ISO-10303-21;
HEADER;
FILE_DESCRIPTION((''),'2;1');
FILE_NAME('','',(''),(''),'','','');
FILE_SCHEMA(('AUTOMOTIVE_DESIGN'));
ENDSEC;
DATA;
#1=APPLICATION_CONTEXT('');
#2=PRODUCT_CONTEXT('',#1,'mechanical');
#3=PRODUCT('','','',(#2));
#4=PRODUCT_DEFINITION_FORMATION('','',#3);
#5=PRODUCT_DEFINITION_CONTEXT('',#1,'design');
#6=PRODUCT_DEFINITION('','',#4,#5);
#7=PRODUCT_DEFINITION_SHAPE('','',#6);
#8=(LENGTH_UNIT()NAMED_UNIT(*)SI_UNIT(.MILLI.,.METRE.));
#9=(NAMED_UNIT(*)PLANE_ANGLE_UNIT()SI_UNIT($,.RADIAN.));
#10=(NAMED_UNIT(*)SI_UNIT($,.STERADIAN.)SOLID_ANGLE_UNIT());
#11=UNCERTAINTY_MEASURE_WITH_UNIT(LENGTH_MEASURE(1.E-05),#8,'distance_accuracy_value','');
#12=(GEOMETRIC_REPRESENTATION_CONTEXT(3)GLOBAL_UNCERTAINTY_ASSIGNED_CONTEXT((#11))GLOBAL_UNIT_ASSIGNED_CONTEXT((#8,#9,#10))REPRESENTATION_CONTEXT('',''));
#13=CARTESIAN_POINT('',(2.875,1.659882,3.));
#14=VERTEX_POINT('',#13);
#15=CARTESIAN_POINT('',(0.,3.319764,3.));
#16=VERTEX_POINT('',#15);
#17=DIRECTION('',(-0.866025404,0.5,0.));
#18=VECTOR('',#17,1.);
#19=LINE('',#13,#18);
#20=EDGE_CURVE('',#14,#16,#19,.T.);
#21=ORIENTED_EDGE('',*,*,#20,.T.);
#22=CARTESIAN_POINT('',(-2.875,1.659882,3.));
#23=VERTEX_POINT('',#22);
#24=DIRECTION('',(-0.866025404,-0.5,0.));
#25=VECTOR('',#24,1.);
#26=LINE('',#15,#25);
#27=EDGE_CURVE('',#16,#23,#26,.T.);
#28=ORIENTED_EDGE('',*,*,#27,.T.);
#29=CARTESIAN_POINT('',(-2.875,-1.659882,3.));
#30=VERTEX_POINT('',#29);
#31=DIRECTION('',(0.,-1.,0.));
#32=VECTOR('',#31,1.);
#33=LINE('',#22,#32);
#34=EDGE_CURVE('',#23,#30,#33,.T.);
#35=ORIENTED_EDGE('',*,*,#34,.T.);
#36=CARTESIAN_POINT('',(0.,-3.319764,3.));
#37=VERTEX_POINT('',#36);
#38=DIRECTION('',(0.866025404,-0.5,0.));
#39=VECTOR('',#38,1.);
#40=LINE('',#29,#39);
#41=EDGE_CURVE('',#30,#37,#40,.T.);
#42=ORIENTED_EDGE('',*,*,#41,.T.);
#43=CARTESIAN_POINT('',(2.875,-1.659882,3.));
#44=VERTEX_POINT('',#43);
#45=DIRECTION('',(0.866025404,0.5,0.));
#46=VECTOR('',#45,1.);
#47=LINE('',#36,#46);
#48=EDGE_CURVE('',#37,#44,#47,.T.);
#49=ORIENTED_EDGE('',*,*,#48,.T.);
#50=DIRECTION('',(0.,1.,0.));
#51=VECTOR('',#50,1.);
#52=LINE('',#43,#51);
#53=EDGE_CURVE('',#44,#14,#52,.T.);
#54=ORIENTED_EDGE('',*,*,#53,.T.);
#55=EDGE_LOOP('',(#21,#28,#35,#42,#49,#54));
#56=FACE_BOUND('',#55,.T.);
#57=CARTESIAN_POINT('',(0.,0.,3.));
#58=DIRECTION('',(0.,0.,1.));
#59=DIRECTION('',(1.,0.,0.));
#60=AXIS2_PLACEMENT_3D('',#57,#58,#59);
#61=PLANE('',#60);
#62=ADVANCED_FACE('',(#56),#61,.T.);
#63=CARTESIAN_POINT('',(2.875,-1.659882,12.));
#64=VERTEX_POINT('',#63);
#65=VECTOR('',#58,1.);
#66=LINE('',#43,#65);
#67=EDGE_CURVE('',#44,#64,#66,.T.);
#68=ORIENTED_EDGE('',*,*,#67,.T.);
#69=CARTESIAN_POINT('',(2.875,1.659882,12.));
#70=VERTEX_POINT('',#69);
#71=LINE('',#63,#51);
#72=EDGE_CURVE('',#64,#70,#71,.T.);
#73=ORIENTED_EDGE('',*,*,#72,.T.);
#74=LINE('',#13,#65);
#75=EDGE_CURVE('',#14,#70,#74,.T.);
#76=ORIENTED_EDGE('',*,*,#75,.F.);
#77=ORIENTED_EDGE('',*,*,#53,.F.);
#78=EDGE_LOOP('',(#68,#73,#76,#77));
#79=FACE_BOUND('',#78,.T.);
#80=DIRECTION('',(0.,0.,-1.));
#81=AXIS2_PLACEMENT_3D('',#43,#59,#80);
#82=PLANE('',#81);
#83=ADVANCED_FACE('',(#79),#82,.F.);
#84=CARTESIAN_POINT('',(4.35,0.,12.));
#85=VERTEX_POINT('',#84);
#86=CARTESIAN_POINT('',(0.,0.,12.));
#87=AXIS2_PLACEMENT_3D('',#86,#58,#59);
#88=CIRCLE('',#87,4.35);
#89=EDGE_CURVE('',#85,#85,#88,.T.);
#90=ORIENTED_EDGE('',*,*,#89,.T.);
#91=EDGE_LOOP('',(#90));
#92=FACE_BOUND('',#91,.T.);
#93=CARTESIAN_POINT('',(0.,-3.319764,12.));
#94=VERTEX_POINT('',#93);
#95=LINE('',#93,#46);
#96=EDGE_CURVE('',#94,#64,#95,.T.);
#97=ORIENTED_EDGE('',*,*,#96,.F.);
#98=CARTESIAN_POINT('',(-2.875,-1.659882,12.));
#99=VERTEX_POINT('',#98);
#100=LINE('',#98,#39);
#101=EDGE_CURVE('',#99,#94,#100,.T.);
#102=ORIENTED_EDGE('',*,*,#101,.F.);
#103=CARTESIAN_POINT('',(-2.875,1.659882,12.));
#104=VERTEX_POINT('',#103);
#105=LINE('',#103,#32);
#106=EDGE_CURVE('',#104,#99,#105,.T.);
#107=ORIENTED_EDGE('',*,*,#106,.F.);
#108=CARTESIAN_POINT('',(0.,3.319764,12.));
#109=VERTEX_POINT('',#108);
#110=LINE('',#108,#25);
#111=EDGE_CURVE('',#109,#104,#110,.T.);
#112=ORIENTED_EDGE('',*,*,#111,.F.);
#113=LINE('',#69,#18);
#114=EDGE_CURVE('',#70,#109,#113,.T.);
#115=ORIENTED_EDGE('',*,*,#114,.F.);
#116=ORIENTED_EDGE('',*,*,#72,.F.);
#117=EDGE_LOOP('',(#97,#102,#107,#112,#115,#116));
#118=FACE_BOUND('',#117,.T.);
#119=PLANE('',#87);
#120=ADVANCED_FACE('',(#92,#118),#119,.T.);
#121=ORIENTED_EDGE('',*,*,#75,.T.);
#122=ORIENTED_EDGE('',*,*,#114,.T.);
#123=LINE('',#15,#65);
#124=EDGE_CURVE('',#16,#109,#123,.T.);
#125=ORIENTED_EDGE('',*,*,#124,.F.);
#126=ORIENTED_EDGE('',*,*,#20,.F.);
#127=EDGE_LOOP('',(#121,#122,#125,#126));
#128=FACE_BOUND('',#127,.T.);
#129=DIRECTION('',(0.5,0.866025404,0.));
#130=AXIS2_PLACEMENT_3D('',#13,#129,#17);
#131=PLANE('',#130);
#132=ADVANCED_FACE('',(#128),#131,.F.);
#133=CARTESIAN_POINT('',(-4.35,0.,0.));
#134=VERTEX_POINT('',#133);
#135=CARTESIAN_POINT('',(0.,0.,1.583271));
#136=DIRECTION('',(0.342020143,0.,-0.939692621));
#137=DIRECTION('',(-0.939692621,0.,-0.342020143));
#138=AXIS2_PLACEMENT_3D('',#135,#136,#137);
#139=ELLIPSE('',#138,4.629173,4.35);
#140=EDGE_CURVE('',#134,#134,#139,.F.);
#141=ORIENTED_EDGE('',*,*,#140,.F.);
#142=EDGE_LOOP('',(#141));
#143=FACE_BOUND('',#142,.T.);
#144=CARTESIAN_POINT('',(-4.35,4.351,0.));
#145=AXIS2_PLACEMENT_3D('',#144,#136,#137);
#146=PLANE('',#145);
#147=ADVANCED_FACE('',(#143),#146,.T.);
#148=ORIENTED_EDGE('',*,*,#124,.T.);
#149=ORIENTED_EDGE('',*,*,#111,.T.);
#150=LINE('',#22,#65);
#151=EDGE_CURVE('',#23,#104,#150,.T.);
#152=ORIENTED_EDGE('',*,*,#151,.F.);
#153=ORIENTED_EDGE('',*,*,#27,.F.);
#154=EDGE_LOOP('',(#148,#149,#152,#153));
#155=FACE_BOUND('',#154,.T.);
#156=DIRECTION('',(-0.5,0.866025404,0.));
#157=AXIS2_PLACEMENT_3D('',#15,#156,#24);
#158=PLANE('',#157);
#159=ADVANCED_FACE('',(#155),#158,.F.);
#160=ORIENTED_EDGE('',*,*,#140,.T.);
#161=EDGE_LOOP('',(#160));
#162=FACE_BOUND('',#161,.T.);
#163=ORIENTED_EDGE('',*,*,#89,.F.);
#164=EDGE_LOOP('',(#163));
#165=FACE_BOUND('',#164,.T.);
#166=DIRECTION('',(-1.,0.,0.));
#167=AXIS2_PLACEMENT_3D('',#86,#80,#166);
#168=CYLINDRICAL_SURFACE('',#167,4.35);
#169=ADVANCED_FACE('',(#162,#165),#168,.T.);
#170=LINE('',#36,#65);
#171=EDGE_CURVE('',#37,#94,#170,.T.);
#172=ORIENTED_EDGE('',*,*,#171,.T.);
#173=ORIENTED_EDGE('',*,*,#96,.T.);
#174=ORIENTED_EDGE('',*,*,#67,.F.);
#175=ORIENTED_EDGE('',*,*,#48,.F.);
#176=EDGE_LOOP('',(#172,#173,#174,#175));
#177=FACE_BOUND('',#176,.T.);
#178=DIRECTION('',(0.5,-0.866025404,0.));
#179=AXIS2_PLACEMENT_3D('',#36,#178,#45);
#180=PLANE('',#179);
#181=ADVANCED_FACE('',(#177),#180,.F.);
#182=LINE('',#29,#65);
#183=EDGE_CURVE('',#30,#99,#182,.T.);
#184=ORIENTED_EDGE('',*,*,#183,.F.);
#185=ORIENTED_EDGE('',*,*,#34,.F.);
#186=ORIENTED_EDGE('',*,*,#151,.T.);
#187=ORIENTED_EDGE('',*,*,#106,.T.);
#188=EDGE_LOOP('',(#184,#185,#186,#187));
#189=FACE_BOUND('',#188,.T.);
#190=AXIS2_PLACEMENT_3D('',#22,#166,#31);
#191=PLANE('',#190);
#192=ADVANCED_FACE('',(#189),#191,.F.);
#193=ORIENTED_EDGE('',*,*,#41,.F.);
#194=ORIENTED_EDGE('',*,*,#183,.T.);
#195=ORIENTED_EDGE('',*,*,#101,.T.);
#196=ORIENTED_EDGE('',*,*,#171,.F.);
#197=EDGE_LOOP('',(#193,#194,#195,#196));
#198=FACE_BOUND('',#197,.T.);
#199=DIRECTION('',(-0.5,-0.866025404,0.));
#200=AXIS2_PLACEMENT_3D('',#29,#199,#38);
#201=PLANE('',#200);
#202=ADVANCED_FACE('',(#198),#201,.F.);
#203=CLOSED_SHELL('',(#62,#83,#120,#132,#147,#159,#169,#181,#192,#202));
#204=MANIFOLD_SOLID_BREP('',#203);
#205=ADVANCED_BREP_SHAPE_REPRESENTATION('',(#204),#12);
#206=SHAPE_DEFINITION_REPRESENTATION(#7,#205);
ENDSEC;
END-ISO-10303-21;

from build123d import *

# Parameters (mm, degrees)
SKETCH_1_R                        = 4.35
EXTRUDE_1_DEPTH                   = 12
CUT_EXTRUDE_480_DEPTH             = 9
CUT_EXTRUDE_727_REACH             = 15.485
CUT_EXTRUDE_727_DIRECTION_2_REACH = 15.485


with BuildPart() as part:
    # Эскиз1 → Бобышка-Вытянуть1 (new body)
    with BuildSketch(Plane.XY):
        Circle(SKETCH_1_R)
    extrude(amount=EXTRUDE_1_DEPTH)

    # Эскиз2 → Cut-Extrude 480 (cut)
    with BuildSketch(Plane.XY.offset(12)):
        Polygon((0, 3.319764048), (-2.875, 1.659882024), (-2.875, -1.659882024), (0, -3.319764048), (2.875, -1.659882024), (2.875, 1.659882024), align=None)
    extrude(amount=-CUT_EXTRUDE_480_DEPTH, mode=Mode.SUBTRACT)

    # Эскиз3 → Cut-Extrude 727 (cut, up to next)
    with BuildSketch(Plane(origin=(0, 0, 0), x_dir=(1, 0, 0), z_dir=(0, 1, 0)), mode=Mode.PRIVATE) as cut_extrude_727_sk1:
        Polygon((-4.35, 0), (4.35, -3.166541038), (4.35, 0), align=None)
    cut_extrude_727_tool1 = extrude(cut_extrude_727_sk1.sketch, amount=-CUT_EXTRUDE_727_REACH, mode=Mode.PRIVATE) & part.part
    add(cut_extrude_727_tool1.solids().sort_by_distance((1.45, 0, 1.055514))[0], mode=Mode.SUBTRACT)

    # Эскиз3 → Cut-Extrude 727 direction 2 (cut, up to next)
    with BuildSketch(Plane(origin=(0, 0, 0), x_dir=(1, 0, 0), z_dir=(0, 1, 0)), mode=Mode.PRIVATE) as cut_extrude_727_direction_2_sk1:
        Polygon((-4.35, 0), (4.35, -3.166541038), (4.35, 0), align=None)
    cut_extrude_727_direction_2_tool1 = extrude(cut_extrude_727_direction_2_sk1.sketch, amount=CUT_EXTRUDE_727_DIRECTION_2_REACH, mode=Mode.PRIVATE) & part.part
    add(cut_extrude_727_direction_2_tool1.solids().sort_by_distance((1.45, 0, 1.055514))[0], mode=Mode.SUBTRACT)


solid = part.part
